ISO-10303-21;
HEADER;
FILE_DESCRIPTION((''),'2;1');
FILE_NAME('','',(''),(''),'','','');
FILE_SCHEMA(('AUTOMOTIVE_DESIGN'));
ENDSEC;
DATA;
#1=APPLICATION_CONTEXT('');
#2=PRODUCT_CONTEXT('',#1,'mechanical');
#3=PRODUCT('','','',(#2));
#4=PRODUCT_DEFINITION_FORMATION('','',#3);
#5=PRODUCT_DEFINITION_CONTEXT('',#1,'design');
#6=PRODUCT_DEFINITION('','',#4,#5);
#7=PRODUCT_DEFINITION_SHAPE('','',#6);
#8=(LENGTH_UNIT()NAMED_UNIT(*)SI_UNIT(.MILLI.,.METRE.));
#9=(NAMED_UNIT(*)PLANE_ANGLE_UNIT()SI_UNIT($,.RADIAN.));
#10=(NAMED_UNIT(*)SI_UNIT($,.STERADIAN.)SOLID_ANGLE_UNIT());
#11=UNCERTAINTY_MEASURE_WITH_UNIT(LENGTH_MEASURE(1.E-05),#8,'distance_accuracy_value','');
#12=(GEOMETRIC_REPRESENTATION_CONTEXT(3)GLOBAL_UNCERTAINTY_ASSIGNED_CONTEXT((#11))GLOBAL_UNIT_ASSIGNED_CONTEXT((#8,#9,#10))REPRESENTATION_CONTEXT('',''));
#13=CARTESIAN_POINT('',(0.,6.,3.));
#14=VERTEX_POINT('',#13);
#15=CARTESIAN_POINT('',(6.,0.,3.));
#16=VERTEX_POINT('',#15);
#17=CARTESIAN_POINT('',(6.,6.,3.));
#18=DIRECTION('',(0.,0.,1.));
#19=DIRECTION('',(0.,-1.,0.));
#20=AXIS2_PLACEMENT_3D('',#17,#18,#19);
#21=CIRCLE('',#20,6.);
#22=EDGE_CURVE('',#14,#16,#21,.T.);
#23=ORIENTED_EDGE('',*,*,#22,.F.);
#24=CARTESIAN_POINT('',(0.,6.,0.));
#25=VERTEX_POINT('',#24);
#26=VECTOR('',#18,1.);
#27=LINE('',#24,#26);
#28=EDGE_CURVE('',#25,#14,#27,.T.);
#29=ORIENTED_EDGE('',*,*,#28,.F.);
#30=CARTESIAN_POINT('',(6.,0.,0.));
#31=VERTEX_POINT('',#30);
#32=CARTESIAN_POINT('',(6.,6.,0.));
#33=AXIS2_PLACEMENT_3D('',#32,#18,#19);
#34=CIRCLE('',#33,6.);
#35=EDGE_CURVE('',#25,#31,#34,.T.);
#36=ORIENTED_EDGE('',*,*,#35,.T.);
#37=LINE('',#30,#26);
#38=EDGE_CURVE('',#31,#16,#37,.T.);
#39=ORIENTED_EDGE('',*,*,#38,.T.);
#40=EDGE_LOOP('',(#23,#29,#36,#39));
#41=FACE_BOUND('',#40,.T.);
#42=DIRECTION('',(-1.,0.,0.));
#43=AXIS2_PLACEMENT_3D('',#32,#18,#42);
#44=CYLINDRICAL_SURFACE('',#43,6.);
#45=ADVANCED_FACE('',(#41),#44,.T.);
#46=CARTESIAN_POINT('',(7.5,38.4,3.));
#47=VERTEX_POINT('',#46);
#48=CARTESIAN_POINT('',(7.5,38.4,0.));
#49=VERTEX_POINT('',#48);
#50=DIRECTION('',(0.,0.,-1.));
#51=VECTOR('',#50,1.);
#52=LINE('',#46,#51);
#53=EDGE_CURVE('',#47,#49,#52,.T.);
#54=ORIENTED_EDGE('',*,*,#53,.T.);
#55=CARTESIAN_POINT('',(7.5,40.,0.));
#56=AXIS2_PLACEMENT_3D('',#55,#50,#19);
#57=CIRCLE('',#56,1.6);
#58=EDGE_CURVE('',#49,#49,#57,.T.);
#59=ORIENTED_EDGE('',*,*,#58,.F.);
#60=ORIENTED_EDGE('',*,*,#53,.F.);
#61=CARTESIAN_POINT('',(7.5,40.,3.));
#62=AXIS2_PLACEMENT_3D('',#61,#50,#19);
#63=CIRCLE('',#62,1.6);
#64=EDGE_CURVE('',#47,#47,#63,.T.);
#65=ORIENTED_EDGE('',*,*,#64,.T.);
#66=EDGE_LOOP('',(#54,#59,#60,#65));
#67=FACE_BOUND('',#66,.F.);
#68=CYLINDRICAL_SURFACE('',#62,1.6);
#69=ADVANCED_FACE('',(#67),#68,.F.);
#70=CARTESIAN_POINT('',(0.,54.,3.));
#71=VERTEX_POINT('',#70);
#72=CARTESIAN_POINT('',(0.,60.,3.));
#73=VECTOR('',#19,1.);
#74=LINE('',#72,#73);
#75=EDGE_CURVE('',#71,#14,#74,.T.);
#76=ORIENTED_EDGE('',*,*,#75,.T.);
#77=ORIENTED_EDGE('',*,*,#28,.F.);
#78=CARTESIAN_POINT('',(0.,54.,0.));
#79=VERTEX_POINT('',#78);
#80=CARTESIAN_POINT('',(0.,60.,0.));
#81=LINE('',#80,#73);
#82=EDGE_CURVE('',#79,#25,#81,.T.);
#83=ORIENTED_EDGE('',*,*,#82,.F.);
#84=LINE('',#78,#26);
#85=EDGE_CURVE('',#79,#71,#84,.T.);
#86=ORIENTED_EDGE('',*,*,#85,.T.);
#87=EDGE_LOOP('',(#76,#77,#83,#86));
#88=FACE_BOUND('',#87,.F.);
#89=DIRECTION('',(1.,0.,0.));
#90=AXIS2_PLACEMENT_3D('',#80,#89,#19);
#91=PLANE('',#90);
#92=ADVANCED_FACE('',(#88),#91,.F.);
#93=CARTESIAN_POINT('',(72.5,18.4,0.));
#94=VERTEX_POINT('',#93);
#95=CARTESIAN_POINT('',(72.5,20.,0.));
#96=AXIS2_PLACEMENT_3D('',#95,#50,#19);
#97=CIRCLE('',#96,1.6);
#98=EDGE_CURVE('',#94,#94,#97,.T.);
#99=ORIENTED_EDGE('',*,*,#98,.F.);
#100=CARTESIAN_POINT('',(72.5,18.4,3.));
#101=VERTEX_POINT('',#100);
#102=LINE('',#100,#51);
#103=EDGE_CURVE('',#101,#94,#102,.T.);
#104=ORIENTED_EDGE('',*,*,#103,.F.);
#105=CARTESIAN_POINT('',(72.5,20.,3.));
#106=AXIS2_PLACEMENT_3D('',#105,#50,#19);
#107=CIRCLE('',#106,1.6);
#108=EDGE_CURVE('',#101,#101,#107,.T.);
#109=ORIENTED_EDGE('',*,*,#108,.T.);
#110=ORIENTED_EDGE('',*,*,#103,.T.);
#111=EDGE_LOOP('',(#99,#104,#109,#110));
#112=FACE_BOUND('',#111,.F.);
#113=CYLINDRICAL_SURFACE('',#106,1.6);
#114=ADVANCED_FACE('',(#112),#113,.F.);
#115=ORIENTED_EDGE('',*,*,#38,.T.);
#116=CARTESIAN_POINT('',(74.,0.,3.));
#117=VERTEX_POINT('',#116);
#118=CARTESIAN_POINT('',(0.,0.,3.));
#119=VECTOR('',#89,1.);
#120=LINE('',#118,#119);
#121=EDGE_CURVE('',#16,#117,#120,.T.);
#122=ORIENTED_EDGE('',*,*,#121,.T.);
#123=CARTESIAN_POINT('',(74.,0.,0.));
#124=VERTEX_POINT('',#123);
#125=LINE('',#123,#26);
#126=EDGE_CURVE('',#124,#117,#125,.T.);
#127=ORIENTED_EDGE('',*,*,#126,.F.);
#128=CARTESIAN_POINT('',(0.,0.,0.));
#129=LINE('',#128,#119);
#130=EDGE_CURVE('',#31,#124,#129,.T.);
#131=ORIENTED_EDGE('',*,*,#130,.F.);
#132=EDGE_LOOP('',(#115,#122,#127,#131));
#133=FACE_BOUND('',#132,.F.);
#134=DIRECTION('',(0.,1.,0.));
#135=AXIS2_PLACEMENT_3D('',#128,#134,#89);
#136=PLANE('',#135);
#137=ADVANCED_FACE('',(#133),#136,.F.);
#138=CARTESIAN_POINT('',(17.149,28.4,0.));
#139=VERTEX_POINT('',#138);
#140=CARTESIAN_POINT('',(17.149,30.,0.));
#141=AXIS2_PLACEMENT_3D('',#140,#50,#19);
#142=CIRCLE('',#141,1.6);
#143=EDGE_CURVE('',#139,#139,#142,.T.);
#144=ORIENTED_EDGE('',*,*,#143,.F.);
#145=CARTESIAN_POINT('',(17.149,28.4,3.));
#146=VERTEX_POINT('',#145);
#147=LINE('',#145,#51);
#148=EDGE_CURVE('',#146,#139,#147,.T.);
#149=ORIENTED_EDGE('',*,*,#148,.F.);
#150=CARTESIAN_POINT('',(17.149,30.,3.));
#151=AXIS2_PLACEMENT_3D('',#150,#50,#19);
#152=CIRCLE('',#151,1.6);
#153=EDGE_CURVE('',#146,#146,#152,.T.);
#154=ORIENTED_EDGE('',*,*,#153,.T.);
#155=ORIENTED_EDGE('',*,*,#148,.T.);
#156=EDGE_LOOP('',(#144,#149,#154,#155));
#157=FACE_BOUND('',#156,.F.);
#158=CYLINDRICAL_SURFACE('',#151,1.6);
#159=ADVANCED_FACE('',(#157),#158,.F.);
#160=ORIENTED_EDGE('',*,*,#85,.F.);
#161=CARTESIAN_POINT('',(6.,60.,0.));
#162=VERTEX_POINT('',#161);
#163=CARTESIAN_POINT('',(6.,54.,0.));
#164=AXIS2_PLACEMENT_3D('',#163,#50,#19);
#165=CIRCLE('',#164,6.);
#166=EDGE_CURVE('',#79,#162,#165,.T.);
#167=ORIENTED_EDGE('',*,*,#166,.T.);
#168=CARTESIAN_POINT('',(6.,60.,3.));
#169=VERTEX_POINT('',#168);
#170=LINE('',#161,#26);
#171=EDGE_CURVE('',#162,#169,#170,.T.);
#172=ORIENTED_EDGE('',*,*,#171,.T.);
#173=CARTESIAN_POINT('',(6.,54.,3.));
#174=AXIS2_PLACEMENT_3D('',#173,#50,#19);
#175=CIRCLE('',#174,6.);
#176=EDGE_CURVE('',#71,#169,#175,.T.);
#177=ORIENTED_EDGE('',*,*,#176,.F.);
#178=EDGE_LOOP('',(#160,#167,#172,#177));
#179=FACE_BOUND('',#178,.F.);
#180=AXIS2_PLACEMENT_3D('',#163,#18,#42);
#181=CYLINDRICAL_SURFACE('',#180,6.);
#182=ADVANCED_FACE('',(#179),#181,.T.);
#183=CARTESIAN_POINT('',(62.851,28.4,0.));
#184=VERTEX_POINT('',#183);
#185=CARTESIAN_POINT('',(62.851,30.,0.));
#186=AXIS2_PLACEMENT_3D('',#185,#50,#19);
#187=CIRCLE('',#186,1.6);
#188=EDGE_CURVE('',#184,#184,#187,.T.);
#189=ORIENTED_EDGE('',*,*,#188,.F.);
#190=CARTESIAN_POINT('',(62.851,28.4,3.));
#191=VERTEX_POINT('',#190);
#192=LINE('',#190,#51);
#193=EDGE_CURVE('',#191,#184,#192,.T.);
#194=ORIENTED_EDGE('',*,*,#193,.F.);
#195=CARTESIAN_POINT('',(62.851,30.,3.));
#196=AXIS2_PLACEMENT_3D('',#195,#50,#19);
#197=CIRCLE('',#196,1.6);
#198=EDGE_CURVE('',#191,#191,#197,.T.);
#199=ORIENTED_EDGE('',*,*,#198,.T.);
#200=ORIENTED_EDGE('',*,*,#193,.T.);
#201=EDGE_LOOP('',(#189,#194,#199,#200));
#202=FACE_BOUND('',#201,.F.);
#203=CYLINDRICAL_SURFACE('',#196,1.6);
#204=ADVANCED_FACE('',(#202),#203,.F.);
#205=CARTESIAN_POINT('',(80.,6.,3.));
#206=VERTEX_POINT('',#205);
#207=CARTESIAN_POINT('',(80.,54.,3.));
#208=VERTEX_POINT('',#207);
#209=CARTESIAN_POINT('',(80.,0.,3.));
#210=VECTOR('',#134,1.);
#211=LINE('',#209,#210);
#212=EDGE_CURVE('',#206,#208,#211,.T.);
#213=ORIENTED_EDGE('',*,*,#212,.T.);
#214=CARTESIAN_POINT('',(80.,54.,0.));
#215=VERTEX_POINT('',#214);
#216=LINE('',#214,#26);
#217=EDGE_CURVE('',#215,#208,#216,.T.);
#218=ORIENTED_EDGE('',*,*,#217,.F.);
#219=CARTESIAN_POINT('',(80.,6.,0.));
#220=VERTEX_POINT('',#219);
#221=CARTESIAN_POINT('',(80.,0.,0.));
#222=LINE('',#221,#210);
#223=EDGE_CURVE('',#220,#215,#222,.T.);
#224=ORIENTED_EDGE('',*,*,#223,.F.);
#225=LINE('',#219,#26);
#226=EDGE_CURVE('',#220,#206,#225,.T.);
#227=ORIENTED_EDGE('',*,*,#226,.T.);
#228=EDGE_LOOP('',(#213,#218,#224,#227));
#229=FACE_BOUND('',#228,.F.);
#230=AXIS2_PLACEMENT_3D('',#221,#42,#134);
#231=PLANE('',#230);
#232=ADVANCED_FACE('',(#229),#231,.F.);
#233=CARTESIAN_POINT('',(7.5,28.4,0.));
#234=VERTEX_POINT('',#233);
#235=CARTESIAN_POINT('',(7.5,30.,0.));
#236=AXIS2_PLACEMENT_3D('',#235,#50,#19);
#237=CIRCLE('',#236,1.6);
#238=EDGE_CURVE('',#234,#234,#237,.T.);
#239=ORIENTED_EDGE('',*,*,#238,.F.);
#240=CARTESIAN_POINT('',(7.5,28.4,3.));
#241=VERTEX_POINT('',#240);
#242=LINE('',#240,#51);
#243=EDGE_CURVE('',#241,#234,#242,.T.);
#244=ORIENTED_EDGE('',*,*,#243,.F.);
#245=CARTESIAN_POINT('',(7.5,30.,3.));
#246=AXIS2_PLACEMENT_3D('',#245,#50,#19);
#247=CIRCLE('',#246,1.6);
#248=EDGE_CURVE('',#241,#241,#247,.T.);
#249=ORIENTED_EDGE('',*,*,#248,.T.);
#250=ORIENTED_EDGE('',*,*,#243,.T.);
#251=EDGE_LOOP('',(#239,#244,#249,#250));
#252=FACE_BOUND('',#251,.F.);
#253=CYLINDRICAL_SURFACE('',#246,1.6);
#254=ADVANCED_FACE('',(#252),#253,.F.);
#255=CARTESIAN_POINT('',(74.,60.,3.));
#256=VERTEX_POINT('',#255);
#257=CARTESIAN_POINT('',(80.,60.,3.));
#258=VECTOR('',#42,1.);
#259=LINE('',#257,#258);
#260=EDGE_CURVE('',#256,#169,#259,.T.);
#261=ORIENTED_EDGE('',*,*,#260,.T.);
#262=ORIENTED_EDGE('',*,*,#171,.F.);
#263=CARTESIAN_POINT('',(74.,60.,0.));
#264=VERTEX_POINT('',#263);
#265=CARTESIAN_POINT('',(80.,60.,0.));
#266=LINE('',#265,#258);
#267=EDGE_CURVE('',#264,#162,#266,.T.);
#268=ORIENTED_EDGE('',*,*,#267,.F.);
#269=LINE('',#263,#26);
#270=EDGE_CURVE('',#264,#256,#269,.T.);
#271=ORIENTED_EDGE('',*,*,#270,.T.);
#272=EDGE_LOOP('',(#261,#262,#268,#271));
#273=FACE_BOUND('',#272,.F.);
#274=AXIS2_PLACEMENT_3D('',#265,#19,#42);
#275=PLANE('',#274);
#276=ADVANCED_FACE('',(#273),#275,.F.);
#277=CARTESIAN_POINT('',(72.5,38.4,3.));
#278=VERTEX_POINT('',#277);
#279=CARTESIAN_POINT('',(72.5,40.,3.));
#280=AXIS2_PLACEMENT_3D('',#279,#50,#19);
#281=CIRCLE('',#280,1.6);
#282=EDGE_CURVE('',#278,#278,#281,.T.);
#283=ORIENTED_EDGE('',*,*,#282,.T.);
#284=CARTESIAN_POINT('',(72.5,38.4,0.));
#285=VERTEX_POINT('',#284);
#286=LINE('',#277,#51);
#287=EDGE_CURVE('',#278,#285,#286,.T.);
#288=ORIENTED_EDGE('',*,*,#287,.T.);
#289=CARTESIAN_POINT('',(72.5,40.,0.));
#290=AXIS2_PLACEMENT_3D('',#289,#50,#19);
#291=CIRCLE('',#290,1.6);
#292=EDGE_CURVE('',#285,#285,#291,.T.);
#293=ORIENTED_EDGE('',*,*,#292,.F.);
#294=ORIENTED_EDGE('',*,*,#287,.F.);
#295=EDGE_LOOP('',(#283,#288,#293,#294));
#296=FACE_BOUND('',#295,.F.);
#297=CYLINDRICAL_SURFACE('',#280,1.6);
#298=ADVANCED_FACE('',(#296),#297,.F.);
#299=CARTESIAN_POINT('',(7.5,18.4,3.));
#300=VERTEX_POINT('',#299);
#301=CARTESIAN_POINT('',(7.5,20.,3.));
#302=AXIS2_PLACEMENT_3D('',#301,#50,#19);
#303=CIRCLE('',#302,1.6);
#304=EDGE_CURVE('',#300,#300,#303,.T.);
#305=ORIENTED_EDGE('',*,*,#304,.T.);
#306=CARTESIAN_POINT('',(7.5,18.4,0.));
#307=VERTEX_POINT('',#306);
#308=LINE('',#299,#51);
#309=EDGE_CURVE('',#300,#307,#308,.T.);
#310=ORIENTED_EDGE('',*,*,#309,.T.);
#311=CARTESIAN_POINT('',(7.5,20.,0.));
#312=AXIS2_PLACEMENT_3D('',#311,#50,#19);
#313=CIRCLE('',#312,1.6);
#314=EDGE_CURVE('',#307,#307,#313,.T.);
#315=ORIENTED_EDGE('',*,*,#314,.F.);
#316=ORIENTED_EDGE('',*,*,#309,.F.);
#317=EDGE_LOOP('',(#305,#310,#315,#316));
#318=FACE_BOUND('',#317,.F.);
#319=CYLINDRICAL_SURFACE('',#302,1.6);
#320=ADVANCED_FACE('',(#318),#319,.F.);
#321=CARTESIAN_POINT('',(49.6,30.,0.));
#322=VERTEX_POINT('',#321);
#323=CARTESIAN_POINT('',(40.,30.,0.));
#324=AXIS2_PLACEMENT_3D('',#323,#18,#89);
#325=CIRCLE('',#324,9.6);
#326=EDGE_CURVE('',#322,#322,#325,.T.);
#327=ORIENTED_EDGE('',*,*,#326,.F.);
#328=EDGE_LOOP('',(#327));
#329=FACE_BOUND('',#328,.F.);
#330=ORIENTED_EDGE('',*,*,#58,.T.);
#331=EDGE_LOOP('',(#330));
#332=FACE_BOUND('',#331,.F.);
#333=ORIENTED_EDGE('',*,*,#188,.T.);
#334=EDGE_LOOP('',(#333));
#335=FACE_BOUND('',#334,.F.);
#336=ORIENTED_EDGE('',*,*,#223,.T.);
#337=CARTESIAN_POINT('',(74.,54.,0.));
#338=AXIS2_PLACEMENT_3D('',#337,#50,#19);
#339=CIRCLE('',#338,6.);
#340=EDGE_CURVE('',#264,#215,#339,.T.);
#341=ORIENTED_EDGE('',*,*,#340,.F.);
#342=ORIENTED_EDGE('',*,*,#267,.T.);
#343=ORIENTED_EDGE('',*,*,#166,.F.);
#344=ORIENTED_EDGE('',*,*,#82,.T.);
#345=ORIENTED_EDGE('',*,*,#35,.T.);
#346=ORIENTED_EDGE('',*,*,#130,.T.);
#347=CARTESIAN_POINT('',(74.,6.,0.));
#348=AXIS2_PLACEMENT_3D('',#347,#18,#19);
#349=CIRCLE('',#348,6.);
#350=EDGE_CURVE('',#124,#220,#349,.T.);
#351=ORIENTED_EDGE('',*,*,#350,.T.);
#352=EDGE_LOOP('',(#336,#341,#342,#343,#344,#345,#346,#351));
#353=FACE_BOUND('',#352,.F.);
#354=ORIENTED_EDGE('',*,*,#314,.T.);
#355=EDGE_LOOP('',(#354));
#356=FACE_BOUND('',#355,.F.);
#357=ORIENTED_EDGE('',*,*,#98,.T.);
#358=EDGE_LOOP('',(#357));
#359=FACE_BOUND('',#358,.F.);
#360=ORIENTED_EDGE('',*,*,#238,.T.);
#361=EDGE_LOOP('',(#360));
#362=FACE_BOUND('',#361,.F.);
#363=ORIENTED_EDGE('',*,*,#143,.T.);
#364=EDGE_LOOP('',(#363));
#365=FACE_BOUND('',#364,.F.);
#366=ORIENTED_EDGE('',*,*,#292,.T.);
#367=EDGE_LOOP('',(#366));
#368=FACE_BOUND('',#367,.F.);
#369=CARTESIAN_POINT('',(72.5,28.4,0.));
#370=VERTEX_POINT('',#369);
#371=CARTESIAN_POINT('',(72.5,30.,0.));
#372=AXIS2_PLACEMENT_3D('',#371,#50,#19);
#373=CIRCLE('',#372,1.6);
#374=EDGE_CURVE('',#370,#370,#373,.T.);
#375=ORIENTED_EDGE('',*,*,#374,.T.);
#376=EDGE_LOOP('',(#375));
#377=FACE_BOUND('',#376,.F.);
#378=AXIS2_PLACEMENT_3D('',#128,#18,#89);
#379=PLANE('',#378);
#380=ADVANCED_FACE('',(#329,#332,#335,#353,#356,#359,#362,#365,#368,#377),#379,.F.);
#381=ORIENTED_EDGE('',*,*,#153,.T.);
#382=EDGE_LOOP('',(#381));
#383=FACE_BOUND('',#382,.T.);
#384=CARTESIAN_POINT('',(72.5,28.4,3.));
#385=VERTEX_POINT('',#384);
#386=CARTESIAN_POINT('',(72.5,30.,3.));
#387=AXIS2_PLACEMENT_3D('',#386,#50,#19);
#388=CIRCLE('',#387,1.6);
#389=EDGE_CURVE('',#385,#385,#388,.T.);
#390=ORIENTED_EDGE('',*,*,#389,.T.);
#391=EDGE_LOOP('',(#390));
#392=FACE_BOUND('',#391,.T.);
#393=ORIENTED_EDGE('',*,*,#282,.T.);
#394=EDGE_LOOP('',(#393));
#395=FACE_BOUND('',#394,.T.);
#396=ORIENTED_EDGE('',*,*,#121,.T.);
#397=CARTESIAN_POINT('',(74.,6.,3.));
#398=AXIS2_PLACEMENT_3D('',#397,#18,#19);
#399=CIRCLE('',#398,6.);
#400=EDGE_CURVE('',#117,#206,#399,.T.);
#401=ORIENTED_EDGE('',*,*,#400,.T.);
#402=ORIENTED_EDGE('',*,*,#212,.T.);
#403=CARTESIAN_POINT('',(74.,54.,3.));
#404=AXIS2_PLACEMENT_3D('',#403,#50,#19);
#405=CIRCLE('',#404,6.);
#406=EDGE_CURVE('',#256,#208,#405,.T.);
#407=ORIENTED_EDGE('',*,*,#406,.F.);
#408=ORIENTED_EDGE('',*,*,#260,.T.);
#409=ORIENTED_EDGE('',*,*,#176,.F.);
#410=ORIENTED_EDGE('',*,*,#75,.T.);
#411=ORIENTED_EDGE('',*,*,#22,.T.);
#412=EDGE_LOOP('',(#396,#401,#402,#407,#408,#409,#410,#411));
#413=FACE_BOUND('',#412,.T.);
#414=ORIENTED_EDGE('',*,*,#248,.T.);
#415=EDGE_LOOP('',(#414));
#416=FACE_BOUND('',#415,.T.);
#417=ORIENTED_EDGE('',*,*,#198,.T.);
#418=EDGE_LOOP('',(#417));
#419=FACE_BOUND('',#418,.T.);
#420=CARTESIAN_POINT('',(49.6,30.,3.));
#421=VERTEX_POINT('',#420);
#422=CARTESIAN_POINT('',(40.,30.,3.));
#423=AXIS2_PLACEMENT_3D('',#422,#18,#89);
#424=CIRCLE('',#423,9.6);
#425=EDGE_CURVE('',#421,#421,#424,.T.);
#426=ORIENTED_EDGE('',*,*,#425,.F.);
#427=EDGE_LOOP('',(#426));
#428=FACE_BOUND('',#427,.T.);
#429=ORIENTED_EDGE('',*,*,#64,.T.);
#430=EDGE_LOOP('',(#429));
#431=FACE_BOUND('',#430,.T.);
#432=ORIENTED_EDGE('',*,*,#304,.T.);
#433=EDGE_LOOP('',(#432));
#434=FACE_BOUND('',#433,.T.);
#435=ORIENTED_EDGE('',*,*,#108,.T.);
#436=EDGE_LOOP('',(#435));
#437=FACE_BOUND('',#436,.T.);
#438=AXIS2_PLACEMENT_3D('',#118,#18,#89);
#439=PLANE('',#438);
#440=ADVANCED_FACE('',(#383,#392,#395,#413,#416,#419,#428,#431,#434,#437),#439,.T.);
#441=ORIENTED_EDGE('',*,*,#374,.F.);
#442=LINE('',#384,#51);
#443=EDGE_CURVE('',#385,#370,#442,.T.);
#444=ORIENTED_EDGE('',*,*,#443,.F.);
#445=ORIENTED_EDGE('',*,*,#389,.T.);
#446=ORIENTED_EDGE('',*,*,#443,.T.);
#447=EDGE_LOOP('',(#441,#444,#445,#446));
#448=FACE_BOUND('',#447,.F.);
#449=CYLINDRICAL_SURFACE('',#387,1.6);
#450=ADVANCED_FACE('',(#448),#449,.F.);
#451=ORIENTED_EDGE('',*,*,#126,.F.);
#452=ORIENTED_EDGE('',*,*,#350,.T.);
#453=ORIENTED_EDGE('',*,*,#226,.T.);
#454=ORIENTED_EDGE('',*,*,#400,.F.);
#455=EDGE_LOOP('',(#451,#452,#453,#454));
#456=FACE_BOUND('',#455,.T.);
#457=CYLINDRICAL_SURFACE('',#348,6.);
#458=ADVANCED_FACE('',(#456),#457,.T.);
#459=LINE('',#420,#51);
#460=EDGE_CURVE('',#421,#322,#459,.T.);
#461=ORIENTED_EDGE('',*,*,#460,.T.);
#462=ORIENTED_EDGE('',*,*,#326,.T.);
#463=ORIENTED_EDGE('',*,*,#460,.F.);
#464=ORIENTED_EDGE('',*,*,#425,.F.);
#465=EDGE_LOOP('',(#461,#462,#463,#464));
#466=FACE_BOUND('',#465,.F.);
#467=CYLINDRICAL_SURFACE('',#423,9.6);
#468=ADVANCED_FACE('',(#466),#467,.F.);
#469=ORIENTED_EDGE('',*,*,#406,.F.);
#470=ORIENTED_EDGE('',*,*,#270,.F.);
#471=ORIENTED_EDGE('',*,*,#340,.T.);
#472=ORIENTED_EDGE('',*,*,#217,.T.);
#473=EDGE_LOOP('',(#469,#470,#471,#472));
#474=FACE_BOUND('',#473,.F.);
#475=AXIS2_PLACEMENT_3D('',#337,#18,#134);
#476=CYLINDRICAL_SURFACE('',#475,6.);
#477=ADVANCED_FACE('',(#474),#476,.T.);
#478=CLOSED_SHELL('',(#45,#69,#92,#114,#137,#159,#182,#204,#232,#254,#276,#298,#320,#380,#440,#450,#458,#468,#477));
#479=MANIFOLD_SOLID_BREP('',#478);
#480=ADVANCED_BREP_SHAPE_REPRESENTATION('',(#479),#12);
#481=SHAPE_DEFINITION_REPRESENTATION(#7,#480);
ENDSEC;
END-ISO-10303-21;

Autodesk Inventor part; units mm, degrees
ref_plane "YZ Plane" through (0, 0, 0) normal (1, 0, 0) x (0, 1, 0)
ref_plane "XZ Plane" through (0, 0, 0) normal (0, 1, 0) x (-1, 0, 0)
ref_plane "XY Plane" through (0, 0, 0) normal (0, 0, 1) x (1, 0, 0)
sketch "スケッチ1" plane through (0, 0, 0) normal (0, 0, 1) x (1, 0, 0)
  line L0 (0, 0) -> (80, 0)
  line L1 (80, 0) -> (80, 60)
  line L2 (80, 60) -> (0, 60)
  line L3 (0, 60) -> (0, 0)
  dimension "d0" = 80
  dimension "d1" = 60
extrude "押し出し1" add sketch "スケッチ1" along normal blind 3
sketch "スケッチ2" plane through (0, 0, 3) normal (0, 0, 1) x (1, 0, 0)
  point P0 (0, 0)
sketch "スケッチ3" plane through (0, 0, 3) normal (0, 0, 1) x (1, 0, 0)
  line L0 (0, 0) -> (80, 0) projected
  line L1 (15, 0) -> (15, 60) construction
  line L2 (15, 0) -> (75, 0) construction
  line L3 (0, 60) -> (0, 0) projected
  circle A0 centre (7.5, 30) radius 1.6
  circle A1 centre (7.5, 40) radius 1.6
  circle A2 centre (7.5, 20) radius 1.6
  line L4 (80, 60) -> (0, 60) projected
  line L5 (40, 60) -> (40, 0) construction
  circle A3 centre (72.5, 30) radius 1.6
  circle A4 centre (72.5, 40) radius 1.6
  circle A5 centre (72.5, 20) radius 1.6
  point P0 (0, 30)
  dimension "d4" = 60
  dimension "d5" = 90
  dimension "d6" = 15
  dimension "d7" = 3.2
  dimension "d8" = 7.5
  dimension "d9" = 30
  dimension "d10" = 3.2
  dimension "d11" = 3.2
  dimension "d12" = 10
  dimension "d13" = 10
  dimension "d14" = 40
hole "穴1" at (7.5, 40, 3) at (7.5, 30, 3) at (7.5, 20, 3) at (72.5, 40, 3) at (72.5, 30, 3) at (72.5, 20, 3) direction (0, 0, -1) diameter 3.2 end through all
sketch "スケッチ4" plane through (0, 0, 3) normal (0, 0, 1) x (1, 0, 0)
  circle A0 centre (40, 30) radius 7.5
  line L0 (80, 60) -> (0, 60) projected
  line L1 (80, 0) -> (80, 60) projected
  point P0 (0, 0)
  dimension "d22" = 15
  dimension "d23" = 30
  dimension "d24" = 40
extrude "押し出し2" cut sketch "スケッチ4" against normal blind 3
sketch "スケッチ5" plane through (0, 0, 3) normal (0, 0, 1) x (1, 0, 0)
  point P0 (0, 0)
sketch "スケッチ6" plane through (0, 0, 3) normal (0, 0, 1) x (1, 0, 0)
  circle A0 centre (40, 30) radius 7.5 projected
  circle A1 centre (40, 30) radius 12.05
  point P0 (0, 0)
  dimension "d27" = 24.1
extrude "押し出し3" cut sketch "スケッチ6" against normal blind 3
sketch "スケッチ7" plane through (0, 0, 3) normal (0, 0, 1) x (1, 0, 0)
  circle A0 centre (40, 30) radius 12.05 projected
  line L0 (0, 0) -> (80, 0) projected
  point P0 (62.851, 30)
  point P1 (17.149, 30)
  dimension "d30" = 22.851
  dimension "d31" = 22.851
  dimension "d32" = 30
  dimension "d33" = 30
hole "穴2" at (17.149, 30, 3) at (62.851, 30, 3) direction (0, 0, -1) diameter 3.2 end through all
fillet "フィレット1" radius 6 4 edges at (0, 60, 1.5) (80, 60, 1.5) (80, 0, 1.5) (0, 0, 1.5)
sketch "スケッチ8" plane through (0, 0, 3) normal (0, 0, 1) x (1, 0, 0)
  point P0 (0, 0)
sketch "スケッチ9" plane through (0, 0, 3) normal (0, 0, 1) x (1, 0, 0)
  circle A0 centre (40, 30) radius 12.05 projected
  circle A1 centre (40, 30) radius 9.6
  point P0 (0, 0)
  dimension "d42" = 19.2
extrude "押し出し4" add sketch "スケッチ9" against normal blind 3
properties part number "射出_エンコーダー固定2" material "アルミニウム 6061"
